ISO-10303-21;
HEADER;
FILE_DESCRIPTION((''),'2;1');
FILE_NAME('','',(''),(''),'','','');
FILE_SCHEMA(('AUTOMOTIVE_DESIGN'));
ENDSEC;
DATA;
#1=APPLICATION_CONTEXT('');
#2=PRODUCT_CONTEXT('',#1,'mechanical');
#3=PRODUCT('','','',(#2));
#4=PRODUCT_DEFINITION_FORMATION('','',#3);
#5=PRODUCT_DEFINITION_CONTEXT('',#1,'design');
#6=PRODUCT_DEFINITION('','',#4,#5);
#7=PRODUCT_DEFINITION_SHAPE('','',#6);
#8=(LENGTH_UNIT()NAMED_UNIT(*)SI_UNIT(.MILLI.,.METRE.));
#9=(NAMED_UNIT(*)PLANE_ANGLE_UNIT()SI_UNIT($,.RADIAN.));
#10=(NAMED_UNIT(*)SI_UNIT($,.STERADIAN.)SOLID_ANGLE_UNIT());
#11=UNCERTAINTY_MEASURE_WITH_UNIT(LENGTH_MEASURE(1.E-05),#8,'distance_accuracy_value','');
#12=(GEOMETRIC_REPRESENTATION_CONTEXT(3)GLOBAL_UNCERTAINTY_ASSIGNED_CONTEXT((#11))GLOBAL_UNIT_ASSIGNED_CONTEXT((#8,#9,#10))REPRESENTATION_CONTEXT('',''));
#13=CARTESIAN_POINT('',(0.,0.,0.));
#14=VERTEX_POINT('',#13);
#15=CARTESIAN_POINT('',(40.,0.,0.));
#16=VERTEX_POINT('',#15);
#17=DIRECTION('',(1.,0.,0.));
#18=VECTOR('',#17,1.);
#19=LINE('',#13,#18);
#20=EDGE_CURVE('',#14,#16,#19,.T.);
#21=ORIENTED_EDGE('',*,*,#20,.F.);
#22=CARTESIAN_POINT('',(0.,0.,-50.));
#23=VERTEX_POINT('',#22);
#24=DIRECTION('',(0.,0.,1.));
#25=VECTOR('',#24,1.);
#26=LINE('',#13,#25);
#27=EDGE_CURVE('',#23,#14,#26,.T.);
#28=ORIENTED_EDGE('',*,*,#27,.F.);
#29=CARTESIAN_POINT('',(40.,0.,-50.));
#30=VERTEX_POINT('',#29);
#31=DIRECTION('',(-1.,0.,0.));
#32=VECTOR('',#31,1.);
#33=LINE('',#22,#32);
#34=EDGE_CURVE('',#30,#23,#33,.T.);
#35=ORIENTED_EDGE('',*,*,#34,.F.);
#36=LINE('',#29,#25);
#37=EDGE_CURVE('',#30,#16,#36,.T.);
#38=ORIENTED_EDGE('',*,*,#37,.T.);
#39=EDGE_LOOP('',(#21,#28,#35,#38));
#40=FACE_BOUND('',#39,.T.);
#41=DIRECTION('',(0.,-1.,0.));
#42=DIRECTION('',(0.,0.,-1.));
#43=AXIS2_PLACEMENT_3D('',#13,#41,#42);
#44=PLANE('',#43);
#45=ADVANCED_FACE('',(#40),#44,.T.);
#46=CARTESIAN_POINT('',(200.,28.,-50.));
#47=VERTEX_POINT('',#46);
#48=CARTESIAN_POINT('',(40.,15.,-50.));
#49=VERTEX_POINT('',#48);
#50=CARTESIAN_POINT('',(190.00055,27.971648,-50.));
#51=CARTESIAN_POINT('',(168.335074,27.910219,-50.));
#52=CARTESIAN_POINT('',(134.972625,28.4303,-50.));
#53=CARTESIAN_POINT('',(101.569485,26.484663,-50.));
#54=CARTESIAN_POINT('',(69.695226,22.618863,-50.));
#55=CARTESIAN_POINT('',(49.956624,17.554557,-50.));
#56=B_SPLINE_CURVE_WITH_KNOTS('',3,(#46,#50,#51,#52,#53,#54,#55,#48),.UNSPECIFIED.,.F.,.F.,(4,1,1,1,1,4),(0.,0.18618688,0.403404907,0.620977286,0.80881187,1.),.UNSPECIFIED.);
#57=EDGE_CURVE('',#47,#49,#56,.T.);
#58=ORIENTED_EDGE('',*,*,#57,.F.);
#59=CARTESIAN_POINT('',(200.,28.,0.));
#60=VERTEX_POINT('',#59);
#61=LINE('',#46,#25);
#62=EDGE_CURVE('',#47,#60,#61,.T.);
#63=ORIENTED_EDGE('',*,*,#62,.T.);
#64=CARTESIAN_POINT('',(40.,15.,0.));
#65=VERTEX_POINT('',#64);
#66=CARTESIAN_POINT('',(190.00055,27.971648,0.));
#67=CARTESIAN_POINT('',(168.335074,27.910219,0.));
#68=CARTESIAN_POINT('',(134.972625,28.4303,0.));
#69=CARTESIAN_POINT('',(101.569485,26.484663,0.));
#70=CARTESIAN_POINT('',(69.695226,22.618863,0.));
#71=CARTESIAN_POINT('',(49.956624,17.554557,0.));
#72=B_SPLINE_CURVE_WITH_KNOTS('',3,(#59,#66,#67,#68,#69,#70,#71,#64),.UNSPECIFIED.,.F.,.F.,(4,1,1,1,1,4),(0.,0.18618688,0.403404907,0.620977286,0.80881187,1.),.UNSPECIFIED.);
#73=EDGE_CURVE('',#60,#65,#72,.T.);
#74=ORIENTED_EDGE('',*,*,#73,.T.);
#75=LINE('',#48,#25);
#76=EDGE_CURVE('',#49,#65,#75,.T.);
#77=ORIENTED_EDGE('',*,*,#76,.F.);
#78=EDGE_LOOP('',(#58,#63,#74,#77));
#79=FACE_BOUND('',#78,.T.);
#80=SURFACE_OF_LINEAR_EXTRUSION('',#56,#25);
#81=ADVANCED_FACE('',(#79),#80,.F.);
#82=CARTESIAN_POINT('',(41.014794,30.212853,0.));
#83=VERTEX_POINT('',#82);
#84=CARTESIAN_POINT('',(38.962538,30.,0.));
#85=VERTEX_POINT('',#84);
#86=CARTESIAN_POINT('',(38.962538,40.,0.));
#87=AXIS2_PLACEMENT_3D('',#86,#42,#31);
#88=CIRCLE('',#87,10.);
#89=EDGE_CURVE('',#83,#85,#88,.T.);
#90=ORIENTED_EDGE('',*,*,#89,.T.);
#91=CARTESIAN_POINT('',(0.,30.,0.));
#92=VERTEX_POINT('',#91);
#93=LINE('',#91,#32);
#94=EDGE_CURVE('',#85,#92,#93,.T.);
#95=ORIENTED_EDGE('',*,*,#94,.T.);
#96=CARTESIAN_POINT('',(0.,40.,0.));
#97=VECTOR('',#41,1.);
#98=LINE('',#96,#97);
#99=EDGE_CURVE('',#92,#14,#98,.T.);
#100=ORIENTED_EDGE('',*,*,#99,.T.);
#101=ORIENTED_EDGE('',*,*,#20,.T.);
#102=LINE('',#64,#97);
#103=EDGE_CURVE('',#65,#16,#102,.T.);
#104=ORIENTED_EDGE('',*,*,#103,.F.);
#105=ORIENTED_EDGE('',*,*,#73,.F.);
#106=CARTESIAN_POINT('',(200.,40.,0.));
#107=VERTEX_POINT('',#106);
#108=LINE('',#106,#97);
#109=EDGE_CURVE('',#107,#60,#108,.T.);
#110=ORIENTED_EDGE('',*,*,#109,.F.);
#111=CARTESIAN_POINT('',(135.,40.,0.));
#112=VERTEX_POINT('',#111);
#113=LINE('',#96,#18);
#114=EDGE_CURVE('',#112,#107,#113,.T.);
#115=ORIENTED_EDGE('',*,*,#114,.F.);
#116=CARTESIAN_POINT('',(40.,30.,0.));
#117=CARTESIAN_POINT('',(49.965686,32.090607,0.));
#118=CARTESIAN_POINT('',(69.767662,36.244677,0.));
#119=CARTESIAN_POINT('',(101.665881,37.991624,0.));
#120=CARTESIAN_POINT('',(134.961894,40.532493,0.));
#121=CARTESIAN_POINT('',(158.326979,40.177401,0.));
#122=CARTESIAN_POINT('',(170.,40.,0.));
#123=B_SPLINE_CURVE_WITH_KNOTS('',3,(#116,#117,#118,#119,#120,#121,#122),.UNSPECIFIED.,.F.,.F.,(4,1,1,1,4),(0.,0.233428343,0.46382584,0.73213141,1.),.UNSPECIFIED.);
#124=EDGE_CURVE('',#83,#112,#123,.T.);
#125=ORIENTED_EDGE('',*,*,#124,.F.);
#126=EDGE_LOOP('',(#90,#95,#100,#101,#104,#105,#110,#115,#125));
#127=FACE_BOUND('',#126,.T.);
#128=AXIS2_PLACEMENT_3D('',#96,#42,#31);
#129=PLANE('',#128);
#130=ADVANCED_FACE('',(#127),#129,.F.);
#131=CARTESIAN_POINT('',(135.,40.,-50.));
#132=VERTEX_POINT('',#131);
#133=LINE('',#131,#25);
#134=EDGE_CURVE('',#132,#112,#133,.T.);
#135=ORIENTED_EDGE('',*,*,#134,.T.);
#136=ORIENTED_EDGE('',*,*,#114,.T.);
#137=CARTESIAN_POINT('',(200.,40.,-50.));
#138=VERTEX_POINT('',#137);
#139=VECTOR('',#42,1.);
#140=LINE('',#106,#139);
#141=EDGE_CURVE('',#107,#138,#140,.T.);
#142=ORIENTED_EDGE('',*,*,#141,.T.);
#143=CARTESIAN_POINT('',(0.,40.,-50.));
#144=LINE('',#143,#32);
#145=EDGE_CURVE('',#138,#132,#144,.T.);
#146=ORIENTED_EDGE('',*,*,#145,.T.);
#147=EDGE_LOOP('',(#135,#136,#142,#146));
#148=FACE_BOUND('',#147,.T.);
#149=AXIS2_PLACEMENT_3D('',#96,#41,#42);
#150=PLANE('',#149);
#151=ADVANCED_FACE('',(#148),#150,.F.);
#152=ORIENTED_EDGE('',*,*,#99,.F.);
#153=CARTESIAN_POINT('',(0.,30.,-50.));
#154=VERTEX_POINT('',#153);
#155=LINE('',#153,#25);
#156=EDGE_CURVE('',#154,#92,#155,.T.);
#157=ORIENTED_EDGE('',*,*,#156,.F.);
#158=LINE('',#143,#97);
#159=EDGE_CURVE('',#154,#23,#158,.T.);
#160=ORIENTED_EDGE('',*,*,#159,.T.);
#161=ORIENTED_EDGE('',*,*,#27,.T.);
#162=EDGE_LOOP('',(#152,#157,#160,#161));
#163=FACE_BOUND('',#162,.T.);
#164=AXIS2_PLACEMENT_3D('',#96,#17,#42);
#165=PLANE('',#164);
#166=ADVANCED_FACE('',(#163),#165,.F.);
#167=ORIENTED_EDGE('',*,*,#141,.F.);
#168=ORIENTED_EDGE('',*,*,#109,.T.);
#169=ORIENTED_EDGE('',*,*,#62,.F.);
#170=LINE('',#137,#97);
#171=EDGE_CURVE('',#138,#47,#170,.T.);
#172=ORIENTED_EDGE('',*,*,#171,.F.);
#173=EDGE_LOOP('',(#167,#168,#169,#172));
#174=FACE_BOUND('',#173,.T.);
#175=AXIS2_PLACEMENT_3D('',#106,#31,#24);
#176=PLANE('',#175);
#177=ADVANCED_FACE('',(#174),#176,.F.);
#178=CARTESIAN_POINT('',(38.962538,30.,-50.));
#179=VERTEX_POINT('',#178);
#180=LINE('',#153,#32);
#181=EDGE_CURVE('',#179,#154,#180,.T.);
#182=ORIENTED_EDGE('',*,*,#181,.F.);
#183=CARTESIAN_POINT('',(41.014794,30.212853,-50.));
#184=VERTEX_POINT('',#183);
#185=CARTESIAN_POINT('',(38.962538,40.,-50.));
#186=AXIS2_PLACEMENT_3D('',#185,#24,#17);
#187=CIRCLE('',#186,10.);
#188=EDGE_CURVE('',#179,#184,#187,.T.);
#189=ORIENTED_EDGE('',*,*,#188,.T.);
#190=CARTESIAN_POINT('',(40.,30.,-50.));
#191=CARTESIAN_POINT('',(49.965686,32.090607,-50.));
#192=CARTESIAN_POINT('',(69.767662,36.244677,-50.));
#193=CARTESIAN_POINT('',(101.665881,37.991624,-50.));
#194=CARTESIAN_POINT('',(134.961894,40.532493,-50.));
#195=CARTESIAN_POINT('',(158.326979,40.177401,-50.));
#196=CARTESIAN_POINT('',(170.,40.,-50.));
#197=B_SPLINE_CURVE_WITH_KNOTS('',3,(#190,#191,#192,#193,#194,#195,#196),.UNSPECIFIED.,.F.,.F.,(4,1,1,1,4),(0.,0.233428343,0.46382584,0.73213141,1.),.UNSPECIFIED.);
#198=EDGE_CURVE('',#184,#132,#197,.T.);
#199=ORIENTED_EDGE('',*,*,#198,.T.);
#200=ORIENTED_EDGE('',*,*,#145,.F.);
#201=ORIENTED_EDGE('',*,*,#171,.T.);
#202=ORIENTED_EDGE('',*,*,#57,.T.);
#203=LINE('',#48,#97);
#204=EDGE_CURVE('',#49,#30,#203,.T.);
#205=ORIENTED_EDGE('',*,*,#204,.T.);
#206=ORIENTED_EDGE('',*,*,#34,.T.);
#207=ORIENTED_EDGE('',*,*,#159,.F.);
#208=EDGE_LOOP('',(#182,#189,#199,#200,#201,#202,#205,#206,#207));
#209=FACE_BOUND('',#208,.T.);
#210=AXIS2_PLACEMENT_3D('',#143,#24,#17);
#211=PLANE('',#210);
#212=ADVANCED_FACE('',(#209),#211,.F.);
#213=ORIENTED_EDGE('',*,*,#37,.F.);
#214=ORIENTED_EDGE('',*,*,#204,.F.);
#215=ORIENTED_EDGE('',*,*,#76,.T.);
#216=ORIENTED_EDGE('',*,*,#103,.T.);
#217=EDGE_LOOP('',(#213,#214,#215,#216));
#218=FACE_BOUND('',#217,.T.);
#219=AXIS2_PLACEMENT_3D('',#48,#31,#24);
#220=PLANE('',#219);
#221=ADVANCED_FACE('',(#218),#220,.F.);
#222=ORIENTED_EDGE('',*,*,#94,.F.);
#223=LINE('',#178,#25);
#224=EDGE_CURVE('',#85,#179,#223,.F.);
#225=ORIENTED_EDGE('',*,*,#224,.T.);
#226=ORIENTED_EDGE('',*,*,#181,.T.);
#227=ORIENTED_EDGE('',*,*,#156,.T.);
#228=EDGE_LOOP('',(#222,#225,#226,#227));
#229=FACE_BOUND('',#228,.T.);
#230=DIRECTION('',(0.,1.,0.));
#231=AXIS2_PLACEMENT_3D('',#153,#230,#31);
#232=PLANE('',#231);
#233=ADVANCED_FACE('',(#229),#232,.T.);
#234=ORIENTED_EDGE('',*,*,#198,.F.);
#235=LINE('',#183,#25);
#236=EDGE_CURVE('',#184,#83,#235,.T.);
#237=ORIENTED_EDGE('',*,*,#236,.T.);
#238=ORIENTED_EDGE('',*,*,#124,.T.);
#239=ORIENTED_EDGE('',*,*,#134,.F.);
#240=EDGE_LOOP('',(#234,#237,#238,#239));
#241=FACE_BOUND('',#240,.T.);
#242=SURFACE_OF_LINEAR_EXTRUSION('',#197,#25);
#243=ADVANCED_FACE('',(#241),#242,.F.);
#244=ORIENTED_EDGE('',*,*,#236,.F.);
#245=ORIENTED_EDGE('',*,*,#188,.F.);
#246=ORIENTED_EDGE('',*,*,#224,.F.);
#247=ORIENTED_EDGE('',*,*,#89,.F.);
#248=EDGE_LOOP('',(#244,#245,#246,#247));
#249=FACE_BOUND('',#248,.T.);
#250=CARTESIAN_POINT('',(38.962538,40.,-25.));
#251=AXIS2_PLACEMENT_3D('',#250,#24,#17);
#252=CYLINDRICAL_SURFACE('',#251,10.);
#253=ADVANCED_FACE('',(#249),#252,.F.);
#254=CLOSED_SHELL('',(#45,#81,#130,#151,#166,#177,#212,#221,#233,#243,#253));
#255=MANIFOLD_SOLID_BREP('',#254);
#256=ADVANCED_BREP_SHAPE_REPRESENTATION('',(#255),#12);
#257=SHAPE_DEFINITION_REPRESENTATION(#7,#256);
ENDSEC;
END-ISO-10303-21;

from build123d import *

# Parameters (mm, degrees)
SKETCH1_W           = 200
SKETCH1_H           = 50
BOSS_EXTRUDE1_DEPTH = 40
CUT_EXTRUDE1_DEPTH  = 51
CUT_EXTRUDE2_DEPTH  = 51.0000001
FILLET3_R           = 10


with BuildPart() as part:
    # Sketch1 → Boss-Extrude1 (new body)
    with BuildSketch(Plane(origin=(0, 0, 0), x_dir=(1, 0, 0), z_dir=(0, 1, 0))):
        with Locations((100, 25)):
            Rectangle(SKETCH1_W, SKETCH1_H)
    extrude(amount=BOSS_EXTRUDE1_DEPTH)

    # Sketch9 → Cut-Extrude1 (cut, through all)
    with BuildSketch(Plane.XY):
        with BuildLine():
            Line((40, 15), (40, 0))
            Line((40, 0), (200, 0))
            Line((200, 0), (200, 28))
            add(Edge.make_bspline(
                [(40, 15), (49.956623556, 17.554557146), (69.695225932, 22.618863079), (101.569485276, 26.484663085), (134.972625039, 28.43029981), (168.335074049, 27.910219147), (190.0005497, 27.971648152), (200, 28)],
                knots=[0, 0, 0, 0, 0.19118813, 0.379022714, 0.596595093, 0.81381312, 1, 1, 1, 1], degree=3))
        make_face()
    extrude(amount=-CUT_EXTRUDE1_DEPTH, mode=Mode.SUBTRACT)

    # Sketch11 → Cut-Extrude2 (cut, through all)
    with BuildSketch(Plane.XY):
        with BuildLine():
            Line((0, 30), (40, 30))
            add(Edge.make_bspline(
                [(40, 30), (49.965685719, 32.090607049), (69.767662187, 36.244676598), (101.665880925, 37.991623988), (123.327031089, 39.644618931), (135, 40)],
                knots=[0, 0, 0, 0, 0.233428343, 0.46382584, 0.73213141, 0.73213141, 0.73213141, 0.73213141], degree=3))
            Line((135, 40), (0, 40))
            Line((0, 40), (0, 30))
        make_face()
    extrude(amount=-CUT_EXTRUDE2_DEPTH, mode=Mode.SUBTRACT)

    # Fillet3
    fillet3_edges = [part.edges().sort_by_distance(p)[0] for p in [
        (40, 30, -25),
    ]]
    fillet(fillet3_edges, radius=FILLET3_R)


solid = part.part
